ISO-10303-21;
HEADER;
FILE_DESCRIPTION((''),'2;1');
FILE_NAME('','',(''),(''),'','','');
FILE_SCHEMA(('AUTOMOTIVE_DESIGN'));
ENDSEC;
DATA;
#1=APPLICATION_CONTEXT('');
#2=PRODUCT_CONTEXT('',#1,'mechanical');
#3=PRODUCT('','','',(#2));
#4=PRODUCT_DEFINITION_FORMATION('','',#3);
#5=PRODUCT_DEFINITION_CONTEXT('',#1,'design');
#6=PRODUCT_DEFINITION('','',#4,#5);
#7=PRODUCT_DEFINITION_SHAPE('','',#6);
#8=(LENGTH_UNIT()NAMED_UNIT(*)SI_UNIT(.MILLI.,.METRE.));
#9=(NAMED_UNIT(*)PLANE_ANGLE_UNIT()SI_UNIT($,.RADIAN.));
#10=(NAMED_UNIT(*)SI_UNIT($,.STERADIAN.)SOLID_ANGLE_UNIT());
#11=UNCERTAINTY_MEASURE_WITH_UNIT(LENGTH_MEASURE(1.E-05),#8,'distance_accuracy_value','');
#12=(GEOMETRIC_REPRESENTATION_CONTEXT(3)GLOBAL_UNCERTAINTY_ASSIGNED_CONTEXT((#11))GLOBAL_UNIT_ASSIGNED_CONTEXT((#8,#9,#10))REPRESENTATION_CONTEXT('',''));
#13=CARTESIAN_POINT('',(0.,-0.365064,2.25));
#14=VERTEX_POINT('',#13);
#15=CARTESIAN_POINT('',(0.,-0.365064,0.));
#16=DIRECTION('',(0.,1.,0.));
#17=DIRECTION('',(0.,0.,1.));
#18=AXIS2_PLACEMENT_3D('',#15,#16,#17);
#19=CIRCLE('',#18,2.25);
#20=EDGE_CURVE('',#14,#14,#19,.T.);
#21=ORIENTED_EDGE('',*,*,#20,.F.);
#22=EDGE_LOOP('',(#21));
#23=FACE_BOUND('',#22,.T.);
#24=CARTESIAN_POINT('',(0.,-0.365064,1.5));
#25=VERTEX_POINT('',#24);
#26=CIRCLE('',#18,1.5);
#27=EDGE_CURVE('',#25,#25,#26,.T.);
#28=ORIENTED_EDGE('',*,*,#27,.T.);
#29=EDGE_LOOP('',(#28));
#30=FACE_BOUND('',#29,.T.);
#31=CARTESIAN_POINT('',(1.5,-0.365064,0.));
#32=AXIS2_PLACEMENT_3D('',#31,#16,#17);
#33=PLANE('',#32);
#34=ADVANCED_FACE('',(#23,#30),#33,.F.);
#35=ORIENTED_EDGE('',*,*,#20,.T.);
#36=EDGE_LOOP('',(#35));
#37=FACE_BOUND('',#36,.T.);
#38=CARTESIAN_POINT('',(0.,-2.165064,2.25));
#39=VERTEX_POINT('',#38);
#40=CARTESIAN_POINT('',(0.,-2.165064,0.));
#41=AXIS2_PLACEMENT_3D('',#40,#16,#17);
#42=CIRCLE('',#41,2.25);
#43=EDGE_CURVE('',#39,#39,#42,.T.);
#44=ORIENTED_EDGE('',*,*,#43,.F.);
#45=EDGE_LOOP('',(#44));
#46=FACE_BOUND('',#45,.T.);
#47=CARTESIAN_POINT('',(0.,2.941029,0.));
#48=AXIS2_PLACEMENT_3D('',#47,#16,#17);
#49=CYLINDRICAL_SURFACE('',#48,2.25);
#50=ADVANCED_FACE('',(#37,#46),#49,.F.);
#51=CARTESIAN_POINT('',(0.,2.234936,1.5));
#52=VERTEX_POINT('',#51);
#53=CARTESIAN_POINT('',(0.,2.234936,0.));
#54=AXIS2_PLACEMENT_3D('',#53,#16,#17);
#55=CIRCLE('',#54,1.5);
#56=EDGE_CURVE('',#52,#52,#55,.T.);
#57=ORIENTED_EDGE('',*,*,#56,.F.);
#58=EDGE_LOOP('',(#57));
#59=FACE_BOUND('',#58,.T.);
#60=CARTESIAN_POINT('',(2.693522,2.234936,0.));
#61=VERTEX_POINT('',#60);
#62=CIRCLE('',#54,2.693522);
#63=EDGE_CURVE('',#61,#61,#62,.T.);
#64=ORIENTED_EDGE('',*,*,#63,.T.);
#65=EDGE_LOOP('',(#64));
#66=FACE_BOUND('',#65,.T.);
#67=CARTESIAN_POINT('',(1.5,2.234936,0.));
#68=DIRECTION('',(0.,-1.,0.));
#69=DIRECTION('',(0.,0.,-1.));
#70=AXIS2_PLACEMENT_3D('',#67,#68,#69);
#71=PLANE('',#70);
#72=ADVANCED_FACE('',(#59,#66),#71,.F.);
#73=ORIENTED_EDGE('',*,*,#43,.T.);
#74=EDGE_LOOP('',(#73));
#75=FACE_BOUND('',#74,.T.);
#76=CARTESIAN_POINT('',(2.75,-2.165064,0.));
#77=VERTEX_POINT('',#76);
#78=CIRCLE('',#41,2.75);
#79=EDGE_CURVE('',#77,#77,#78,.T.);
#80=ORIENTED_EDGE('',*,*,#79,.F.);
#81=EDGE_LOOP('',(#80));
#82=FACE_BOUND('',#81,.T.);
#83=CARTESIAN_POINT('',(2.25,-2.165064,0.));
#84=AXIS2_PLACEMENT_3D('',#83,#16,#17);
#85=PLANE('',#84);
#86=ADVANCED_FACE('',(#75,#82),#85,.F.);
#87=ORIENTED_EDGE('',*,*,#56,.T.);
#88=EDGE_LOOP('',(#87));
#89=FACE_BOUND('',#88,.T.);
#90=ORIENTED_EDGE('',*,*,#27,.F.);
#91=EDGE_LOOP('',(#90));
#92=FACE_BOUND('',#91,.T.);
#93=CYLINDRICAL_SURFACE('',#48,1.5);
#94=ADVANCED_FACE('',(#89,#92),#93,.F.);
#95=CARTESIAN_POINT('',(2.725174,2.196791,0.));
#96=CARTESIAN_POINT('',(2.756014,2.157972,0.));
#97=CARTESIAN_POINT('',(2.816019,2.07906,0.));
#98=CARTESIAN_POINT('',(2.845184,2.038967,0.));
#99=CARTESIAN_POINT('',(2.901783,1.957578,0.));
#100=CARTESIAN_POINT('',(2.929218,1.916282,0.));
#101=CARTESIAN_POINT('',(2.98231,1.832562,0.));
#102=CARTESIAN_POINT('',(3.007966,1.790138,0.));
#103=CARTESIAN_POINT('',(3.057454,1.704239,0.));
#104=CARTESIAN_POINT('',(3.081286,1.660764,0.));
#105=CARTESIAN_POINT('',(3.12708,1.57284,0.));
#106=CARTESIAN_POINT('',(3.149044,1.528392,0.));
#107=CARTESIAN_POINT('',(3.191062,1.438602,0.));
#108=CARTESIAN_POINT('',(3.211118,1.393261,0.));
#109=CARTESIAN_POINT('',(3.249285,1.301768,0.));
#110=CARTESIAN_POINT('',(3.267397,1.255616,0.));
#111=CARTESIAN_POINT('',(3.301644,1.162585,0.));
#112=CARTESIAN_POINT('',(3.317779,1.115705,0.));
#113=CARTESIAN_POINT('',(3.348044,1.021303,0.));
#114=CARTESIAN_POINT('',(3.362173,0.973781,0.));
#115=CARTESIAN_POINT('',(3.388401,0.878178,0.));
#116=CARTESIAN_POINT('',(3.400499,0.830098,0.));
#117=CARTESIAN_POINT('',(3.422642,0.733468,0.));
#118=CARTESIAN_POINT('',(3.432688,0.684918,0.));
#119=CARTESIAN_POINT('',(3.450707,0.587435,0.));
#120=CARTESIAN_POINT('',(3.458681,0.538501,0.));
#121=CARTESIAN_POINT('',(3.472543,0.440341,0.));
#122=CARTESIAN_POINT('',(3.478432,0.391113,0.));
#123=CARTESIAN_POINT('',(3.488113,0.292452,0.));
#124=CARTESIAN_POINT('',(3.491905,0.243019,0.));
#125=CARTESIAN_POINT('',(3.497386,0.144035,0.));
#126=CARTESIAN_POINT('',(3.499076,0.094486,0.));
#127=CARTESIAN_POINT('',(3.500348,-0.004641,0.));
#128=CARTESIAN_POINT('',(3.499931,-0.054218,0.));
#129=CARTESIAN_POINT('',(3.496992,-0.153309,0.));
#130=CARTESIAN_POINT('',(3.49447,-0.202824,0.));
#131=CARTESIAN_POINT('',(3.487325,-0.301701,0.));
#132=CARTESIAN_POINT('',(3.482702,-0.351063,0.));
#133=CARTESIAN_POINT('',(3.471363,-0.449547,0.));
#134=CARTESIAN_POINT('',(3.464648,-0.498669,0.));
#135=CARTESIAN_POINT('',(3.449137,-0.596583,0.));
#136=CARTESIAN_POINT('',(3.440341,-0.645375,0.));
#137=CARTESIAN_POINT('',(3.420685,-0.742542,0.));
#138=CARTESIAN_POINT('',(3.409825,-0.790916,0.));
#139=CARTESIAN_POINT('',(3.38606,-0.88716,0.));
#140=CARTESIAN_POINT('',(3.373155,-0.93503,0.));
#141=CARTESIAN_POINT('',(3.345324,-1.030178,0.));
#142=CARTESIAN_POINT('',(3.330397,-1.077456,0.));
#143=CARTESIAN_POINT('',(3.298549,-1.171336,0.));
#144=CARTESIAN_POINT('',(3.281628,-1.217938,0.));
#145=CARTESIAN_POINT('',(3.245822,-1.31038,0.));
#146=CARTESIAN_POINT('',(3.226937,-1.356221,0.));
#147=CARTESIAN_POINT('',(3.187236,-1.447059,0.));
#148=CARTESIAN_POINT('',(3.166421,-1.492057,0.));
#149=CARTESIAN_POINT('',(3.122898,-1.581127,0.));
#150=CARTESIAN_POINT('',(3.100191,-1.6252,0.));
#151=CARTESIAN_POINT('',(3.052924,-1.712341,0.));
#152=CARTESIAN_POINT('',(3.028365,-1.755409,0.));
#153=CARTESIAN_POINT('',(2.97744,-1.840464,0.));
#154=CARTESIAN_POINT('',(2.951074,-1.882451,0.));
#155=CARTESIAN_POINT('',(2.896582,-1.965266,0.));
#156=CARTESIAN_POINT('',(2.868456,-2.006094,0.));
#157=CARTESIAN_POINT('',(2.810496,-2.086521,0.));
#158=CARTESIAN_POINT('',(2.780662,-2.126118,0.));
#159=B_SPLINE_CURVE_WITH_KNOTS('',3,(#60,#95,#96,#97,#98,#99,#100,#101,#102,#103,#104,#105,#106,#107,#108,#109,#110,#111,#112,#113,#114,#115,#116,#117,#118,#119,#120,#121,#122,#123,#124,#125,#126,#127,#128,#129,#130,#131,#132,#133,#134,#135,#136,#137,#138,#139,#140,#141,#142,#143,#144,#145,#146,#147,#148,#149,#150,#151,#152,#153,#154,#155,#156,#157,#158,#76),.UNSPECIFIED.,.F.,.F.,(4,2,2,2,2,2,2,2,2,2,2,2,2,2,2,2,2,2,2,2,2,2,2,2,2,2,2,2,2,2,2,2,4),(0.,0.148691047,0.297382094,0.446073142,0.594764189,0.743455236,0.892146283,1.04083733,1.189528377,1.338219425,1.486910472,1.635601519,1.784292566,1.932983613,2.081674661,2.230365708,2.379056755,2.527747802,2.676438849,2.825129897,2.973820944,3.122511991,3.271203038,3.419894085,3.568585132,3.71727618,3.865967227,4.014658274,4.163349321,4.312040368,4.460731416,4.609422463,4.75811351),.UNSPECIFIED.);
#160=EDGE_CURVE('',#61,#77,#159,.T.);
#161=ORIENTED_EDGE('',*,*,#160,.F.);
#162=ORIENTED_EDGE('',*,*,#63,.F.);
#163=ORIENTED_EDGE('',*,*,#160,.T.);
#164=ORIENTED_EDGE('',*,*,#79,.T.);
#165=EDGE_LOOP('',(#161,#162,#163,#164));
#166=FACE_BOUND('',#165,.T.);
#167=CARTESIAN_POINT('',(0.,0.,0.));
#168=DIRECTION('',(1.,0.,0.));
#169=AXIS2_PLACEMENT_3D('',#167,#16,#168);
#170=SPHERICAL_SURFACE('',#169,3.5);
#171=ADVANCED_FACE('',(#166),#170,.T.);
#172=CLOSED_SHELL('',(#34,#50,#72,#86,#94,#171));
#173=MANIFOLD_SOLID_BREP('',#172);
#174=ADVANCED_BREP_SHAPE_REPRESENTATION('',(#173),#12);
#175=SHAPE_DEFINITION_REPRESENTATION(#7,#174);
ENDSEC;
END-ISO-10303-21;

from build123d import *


with BuildPart() as part:
    # Sketch1 → Revolve1 (revolve)
    with BuildSketch(Plane.XY, mode=Mode.PRIVATE) as revolve1_sk:
        with BuildLine():
            Line((1.5, 2.234936491), (1.5, -0.365063509))
            Line((1.5, -0.365063509), (2.25, -0.365063509))
            Line((2.25, -0.365063509), (2.25, -2.165063509))
            Line((2.25, -2.165063509), (2.75, -2.165063509))
            ThreePointArc((2.75, -2.165063509), (3.499711701, 0.044922259), (2.693521651, 2.234936491))
            Line((2.693521651, 2.234936491), (1.5, 2.234936491))
        make_face()
    revolve(revolve1_sk.sketch.rotate(Axis((0, 2.941029024, 0), (0, -1, 0)), 90), axis=Axis((0, 2.941029024, 0), (0, -1, 0)))


solid = part.part
